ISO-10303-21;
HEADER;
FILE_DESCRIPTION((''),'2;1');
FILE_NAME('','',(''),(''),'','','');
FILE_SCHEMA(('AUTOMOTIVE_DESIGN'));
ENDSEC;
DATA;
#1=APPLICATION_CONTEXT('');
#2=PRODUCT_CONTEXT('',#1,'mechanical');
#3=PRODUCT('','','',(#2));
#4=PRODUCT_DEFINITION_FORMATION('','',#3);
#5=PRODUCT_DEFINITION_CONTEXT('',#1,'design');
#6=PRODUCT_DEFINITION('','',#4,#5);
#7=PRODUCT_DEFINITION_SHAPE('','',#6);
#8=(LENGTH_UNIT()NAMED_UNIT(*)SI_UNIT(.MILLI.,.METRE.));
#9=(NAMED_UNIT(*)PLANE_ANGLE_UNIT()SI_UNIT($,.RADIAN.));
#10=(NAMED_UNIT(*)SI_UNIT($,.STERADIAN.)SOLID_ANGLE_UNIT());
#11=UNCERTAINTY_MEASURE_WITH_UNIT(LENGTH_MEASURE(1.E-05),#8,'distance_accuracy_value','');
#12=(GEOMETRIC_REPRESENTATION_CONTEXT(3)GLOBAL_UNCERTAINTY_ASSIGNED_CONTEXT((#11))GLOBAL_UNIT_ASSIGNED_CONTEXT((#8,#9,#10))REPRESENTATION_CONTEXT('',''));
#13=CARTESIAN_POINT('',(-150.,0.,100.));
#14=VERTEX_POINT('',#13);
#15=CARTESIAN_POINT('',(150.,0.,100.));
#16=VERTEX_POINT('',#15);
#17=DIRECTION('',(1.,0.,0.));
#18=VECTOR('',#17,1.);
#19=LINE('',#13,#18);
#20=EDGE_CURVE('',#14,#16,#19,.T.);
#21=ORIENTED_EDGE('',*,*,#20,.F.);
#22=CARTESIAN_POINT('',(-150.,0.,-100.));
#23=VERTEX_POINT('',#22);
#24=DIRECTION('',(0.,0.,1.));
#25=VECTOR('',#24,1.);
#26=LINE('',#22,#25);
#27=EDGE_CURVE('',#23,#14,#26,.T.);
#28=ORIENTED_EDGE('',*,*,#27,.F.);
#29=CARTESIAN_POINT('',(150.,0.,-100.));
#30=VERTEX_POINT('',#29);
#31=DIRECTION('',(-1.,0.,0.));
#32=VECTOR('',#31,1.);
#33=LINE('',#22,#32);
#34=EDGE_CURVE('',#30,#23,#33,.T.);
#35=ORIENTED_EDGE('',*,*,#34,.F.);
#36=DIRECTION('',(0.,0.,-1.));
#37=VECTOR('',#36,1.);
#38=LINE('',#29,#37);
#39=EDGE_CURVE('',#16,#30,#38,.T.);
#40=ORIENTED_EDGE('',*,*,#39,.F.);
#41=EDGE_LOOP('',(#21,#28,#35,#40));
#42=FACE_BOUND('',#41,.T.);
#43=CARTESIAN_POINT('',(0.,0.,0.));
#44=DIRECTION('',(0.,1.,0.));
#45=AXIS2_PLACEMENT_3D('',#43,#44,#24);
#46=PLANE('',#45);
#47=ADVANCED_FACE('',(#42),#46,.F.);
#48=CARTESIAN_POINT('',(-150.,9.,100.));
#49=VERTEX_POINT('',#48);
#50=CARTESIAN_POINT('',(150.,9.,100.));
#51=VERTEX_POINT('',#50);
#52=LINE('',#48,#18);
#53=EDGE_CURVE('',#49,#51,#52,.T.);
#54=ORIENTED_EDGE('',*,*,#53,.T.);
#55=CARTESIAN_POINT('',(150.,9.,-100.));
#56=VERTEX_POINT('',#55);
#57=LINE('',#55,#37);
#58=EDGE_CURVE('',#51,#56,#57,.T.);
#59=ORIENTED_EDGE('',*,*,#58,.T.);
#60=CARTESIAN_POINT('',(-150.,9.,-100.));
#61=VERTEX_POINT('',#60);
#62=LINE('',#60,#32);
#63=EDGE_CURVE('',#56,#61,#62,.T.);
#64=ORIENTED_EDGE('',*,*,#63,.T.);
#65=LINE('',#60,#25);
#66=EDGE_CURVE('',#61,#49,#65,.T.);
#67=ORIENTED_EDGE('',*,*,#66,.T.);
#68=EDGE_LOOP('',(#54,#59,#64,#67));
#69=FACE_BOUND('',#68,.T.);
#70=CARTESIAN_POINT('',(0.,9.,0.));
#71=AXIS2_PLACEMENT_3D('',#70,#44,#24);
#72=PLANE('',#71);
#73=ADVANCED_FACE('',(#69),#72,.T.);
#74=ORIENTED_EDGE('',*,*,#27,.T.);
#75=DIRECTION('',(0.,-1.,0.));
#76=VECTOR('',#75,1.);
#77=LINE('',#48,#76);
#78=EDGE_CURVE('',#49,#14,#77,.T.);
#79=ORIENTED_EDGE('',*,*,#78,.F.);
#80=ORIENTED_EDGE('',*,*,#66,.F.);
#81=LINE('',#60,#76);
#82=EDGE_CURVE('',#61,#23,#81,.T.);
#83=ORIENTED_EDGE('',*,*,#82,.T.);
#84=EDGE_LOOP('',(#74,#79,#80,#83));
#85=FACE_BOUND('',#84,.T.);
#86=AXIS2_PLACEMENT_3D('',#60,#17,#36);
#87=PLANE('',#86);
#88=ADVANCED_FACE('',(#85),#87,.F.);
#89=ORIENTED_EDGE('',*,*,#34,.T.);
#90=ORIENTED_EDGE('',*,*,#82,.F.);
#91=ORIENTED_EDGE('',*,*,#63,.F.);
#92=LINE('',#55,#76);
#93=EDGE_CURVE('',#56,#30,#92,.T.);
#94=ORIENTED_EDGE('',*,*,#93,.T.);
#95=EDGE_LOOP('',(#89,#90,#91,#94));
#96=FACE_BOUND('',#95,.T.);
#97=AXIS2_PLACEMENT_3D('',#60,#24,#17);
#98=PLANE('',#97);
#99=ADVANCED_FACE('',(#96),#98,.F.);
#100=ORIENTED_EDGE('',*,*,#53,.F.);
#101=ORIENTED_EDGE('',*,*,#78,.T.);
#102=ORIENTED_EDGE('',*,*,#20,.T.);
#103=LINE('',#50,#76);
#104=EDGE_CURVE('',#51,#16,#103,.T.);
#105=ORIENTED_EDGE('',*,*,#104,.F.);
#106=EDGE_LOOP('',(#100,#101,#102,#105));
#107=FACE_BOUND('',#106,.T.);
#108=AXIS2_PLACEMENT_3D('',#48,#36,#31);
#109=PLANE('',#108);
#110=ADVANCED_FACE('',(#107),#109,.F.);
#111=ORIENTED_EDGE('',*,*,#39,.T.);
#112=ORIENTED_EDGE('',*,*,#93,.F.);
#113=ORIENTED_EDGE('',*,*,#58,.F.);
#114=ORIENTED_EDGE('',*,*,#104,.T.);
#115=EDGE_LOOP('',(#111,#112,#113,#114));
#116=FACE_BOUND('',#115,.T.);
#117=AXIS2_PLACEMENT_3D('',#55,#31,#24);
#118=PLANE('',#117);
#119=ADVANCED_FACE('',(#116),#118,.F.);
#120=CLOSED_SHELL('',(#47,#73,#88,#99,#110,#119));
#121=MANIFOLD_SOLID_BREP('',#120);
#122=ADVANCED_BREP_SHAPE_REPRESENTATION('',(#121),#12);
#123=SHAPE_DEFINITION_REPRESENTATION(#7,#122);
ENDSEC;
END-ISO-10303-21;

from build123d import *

# Parameters (mm, degrees)
SKETCH_1_W      = 300
SKETCH_1_H      = 200
EXTRUDE_1_DEPTH = 9


with BuildPart() as part:
    # 草图1 → 凸台-拉伸1 (new body)
    with BuildSketch(Plane(origin=(0, 0, 0), x_dir=(1, 0, 0), z_dir=(0, 1, 0))):
        Rectangle(SKETCH_1_W, SKETCH_1_H)
    extrude(amount=EXTRUDE_1_DEPTH)


solid = part.part
